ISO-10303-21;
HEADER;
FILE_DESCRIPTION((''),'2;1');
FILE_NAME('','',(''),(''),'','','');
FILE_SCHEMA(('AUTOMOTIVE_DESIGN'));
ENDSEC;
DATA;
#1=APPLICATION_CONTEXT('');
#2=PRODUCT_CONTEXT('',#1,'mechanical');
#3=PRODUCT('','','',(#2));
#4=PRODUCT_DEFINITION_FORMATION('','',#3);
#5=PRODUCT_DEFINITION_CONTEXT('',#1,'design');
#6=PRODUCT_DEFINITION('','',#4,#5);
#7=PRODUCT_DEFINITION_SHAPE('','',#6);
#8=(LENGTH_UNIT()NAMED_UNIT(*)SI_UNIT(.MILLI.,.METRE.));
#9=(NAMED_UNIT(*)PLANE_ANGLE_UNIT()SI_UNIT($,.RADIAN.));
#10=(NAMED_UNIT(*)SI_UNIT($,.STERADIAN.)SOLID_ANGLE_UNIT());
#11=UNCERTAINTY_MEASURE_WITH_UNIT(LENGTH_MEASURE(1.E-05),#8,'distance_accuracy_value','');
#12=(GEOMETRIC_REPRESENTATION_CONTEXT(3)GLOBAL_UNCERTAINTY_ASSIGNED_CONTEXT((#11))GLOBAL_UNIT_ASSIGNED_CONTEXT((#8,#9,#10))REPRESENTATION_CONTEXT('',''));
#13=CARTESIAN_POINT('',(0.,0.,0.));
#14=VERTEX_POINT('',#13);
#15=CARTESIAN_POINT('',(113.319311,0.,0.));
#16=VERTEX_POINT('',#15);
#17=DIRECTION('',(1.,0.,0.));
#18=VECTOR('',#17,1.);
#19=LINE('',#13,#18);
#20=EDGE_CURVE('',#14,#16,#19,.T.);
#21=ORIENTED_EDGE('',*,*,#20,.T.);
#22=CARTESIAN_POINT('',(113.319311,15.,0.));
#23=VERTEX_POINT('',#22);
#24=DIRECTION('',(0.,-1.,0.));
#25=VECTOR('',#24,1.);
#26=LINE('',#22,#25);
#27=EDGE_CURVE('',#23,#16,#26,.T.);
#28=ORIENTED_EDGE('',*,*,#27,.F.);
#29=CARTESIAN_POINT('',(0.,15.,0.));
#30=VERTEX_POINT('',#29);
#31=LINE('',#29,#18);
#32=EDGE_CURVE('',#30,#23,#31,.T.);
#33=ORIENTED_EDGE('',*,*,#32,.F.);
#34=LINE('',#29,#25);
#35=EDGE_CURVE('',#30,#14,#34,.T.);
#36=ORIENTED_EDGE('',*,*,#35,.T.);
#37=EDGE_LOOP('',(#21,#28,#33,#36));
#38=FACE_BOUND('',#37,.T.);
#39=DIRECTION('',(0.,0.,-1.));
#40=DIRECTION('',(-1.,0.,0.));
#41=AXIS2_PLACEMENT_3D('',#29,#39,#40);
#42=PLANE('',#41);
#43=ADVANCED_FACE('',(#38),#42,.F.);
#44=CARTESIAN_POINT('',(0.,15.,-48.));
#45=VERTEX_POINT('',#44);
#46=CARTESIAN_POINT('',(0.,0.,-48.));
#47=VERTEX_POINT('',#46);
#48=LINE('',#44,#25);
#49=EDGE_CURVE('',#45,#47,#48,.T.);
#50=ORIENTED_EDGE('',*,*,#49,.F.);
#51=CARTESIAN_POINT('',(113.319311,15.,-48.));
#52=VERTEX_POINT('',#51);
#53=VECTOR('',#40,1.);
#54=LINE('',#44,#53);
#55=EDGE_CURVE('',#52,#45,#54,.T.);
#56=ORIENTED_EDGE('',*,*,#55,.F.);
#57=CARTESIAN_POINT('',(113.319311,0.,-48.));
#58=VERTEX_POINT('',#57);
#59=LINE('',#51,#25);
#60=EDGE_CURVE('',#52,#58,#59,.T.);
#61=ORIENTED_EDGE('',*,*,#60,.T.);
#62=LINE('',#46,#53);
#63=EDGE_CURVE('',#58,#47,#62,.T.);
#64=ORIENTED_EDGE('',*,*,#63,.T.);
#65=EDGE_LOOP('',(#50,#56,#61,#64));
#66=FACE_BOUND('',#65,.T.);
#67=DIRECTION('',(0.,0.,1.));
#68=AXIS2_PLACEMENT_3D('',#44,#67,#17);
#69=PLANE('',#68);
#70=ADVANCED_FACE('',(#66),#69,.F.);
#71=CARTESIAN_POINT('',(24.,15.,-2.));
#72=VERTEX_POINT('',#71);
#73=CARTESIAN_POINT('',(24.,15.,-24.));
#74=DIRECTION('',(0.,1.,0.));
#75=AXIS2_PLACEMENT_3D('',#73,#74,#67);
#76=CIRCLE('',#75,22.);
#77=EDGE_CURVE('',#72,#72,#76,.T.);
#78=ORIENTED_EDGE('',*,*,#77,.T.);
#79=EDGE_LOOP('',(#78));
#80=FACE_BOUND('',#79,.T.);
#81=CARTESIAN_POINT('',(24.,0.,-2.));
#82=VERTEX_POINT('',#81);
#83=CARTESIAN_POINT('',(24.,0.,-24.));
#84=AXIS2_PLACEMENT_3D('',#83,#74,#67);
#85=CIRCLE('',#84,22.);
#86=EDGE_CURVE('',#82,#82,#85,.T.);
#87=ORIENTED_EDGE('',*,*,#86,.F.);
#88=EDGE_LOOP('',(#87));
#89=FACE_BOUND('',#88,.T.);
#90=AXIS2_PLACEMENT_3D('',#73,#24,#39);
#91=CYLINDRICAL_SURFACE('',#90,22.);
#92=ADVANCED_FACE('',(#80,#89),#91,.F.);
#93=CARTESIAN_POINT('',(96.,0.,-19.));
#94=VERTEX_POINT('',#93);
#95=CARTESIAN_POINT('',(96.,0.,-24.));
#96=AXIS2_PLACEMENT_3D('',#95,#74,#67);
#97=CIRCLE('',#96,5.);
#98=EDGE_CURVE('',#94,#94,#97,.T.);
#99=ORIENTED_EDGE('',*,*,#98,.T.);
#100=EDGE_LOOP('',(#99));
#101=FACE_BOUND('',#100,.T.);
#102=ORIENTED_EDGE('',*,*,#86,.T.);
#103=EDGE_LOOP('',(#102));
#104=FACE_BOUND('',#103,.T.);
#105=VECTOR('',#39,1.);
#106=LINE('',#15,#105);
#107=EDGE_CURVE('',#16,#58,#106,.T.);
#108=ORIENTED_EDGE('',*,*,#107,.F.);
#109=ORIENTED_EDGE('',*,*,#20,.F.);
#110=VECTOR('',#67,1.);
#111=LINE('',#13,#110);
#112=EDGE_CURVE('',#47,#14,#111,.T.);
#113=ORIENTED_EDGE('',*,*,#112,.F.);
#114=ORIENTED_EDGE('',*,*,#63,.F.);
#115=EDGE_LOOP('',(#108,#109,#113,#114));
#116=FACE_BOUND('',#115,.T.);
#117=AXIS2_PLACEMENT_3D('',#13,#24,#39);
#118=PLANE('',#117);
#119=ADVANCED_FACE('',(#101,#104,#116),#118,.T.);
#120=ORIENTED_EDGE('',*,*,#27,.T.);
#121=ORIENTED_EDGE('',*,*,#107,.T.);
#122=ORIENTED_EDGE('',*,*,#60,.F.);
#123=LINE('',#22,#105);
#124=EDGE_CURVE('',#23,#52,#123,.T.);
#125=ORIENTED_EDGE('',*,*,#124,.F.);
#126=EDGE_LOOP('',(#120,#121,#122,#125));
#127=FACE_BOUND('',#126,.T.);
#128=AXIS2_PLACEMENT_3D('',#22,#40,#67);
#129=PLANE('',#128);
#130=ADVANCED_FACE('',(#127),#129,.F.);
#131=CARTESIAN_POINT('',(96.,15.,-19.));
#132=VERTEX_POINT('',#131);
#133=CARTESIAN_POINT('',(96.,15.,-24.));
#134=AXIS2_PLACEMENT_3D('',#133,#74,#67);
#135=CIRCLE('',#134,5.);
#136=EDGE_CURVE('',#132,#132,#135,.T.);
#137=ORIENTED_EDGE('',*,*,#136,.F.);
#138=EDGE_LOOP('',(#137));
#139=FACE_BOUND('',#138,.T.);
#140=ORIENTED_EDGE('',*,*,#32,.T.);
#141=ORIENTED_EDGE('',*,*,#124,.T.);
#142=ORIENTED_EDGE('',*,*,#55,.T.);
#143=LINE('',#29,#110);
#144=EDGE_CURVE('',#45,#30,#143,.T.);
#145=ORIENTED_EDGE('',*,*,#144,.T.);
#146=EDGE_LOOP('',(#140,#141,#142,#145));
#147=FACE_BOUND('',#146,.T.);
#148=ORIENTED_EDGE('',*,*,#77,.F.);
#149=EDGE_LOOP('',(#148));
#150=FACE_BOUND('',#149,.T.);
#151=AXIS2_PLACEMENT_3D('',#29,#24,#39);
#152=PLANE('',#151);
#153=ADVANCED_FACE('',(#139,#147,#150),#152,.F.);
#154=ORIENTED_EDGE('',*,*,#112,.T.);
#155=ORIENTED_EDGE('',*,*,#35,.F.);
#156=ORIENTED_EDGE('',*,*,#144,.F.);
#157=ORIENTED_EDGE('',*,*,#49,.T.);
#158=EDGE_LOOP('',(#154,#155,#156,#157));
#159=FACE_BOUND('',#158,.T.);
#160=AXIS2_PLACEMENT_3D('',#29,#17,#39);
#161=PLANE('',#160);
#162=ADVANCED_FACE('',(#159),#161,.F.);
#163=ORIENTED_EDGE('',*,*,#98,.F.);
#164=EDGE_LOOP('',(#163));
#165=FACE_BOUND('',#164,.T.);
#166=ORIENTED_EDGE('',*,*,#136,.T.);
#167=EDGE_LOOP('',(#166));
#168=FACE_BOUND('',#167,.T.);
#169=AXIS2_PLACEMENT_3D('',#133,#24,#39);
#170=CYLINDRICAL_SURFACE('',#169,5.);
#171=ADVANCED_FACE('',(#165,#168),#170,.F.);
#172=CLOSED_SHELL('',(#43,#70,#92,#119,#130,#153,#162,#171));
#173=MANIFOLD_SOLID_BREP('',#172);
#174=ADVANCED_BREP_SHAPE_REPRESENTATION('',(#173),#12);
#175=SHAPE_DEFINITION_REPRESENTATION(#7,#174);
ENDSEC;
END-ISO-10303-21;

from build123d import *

# Parameters (mm, degrees)
SKETCH1_W           = 113.319310707
SKETCH1_H           = 48
SKETCH1_R           = 22
SKETCH1_R_2         = 5
BOSS_EXTRUDE1_DEPTH = 15


with BuildPart() as part:
    # Sketch1 → Boss-Extrude1 (new body)
    with BuildSketch(Plane(origin=(0, 0, 0), x_dir=(1, 0, 0), z_dir=(0, 1, 0))):
        with Locations((56.659655354, 24)):
            Rectangle(SKETCH1_W, SKETCH1_H)
        with Locations((24, 24)):
            Circle(SKETCH1_R, mode=Mode.SUBTRACT)
        with Locations((96, 24)):
            Circle(SKETCH1_R_2, mode=Mode.SUBTRACT)
    extrude(amount=BOSS_EXTRUDE1_DEPTH)


solid = part.part
